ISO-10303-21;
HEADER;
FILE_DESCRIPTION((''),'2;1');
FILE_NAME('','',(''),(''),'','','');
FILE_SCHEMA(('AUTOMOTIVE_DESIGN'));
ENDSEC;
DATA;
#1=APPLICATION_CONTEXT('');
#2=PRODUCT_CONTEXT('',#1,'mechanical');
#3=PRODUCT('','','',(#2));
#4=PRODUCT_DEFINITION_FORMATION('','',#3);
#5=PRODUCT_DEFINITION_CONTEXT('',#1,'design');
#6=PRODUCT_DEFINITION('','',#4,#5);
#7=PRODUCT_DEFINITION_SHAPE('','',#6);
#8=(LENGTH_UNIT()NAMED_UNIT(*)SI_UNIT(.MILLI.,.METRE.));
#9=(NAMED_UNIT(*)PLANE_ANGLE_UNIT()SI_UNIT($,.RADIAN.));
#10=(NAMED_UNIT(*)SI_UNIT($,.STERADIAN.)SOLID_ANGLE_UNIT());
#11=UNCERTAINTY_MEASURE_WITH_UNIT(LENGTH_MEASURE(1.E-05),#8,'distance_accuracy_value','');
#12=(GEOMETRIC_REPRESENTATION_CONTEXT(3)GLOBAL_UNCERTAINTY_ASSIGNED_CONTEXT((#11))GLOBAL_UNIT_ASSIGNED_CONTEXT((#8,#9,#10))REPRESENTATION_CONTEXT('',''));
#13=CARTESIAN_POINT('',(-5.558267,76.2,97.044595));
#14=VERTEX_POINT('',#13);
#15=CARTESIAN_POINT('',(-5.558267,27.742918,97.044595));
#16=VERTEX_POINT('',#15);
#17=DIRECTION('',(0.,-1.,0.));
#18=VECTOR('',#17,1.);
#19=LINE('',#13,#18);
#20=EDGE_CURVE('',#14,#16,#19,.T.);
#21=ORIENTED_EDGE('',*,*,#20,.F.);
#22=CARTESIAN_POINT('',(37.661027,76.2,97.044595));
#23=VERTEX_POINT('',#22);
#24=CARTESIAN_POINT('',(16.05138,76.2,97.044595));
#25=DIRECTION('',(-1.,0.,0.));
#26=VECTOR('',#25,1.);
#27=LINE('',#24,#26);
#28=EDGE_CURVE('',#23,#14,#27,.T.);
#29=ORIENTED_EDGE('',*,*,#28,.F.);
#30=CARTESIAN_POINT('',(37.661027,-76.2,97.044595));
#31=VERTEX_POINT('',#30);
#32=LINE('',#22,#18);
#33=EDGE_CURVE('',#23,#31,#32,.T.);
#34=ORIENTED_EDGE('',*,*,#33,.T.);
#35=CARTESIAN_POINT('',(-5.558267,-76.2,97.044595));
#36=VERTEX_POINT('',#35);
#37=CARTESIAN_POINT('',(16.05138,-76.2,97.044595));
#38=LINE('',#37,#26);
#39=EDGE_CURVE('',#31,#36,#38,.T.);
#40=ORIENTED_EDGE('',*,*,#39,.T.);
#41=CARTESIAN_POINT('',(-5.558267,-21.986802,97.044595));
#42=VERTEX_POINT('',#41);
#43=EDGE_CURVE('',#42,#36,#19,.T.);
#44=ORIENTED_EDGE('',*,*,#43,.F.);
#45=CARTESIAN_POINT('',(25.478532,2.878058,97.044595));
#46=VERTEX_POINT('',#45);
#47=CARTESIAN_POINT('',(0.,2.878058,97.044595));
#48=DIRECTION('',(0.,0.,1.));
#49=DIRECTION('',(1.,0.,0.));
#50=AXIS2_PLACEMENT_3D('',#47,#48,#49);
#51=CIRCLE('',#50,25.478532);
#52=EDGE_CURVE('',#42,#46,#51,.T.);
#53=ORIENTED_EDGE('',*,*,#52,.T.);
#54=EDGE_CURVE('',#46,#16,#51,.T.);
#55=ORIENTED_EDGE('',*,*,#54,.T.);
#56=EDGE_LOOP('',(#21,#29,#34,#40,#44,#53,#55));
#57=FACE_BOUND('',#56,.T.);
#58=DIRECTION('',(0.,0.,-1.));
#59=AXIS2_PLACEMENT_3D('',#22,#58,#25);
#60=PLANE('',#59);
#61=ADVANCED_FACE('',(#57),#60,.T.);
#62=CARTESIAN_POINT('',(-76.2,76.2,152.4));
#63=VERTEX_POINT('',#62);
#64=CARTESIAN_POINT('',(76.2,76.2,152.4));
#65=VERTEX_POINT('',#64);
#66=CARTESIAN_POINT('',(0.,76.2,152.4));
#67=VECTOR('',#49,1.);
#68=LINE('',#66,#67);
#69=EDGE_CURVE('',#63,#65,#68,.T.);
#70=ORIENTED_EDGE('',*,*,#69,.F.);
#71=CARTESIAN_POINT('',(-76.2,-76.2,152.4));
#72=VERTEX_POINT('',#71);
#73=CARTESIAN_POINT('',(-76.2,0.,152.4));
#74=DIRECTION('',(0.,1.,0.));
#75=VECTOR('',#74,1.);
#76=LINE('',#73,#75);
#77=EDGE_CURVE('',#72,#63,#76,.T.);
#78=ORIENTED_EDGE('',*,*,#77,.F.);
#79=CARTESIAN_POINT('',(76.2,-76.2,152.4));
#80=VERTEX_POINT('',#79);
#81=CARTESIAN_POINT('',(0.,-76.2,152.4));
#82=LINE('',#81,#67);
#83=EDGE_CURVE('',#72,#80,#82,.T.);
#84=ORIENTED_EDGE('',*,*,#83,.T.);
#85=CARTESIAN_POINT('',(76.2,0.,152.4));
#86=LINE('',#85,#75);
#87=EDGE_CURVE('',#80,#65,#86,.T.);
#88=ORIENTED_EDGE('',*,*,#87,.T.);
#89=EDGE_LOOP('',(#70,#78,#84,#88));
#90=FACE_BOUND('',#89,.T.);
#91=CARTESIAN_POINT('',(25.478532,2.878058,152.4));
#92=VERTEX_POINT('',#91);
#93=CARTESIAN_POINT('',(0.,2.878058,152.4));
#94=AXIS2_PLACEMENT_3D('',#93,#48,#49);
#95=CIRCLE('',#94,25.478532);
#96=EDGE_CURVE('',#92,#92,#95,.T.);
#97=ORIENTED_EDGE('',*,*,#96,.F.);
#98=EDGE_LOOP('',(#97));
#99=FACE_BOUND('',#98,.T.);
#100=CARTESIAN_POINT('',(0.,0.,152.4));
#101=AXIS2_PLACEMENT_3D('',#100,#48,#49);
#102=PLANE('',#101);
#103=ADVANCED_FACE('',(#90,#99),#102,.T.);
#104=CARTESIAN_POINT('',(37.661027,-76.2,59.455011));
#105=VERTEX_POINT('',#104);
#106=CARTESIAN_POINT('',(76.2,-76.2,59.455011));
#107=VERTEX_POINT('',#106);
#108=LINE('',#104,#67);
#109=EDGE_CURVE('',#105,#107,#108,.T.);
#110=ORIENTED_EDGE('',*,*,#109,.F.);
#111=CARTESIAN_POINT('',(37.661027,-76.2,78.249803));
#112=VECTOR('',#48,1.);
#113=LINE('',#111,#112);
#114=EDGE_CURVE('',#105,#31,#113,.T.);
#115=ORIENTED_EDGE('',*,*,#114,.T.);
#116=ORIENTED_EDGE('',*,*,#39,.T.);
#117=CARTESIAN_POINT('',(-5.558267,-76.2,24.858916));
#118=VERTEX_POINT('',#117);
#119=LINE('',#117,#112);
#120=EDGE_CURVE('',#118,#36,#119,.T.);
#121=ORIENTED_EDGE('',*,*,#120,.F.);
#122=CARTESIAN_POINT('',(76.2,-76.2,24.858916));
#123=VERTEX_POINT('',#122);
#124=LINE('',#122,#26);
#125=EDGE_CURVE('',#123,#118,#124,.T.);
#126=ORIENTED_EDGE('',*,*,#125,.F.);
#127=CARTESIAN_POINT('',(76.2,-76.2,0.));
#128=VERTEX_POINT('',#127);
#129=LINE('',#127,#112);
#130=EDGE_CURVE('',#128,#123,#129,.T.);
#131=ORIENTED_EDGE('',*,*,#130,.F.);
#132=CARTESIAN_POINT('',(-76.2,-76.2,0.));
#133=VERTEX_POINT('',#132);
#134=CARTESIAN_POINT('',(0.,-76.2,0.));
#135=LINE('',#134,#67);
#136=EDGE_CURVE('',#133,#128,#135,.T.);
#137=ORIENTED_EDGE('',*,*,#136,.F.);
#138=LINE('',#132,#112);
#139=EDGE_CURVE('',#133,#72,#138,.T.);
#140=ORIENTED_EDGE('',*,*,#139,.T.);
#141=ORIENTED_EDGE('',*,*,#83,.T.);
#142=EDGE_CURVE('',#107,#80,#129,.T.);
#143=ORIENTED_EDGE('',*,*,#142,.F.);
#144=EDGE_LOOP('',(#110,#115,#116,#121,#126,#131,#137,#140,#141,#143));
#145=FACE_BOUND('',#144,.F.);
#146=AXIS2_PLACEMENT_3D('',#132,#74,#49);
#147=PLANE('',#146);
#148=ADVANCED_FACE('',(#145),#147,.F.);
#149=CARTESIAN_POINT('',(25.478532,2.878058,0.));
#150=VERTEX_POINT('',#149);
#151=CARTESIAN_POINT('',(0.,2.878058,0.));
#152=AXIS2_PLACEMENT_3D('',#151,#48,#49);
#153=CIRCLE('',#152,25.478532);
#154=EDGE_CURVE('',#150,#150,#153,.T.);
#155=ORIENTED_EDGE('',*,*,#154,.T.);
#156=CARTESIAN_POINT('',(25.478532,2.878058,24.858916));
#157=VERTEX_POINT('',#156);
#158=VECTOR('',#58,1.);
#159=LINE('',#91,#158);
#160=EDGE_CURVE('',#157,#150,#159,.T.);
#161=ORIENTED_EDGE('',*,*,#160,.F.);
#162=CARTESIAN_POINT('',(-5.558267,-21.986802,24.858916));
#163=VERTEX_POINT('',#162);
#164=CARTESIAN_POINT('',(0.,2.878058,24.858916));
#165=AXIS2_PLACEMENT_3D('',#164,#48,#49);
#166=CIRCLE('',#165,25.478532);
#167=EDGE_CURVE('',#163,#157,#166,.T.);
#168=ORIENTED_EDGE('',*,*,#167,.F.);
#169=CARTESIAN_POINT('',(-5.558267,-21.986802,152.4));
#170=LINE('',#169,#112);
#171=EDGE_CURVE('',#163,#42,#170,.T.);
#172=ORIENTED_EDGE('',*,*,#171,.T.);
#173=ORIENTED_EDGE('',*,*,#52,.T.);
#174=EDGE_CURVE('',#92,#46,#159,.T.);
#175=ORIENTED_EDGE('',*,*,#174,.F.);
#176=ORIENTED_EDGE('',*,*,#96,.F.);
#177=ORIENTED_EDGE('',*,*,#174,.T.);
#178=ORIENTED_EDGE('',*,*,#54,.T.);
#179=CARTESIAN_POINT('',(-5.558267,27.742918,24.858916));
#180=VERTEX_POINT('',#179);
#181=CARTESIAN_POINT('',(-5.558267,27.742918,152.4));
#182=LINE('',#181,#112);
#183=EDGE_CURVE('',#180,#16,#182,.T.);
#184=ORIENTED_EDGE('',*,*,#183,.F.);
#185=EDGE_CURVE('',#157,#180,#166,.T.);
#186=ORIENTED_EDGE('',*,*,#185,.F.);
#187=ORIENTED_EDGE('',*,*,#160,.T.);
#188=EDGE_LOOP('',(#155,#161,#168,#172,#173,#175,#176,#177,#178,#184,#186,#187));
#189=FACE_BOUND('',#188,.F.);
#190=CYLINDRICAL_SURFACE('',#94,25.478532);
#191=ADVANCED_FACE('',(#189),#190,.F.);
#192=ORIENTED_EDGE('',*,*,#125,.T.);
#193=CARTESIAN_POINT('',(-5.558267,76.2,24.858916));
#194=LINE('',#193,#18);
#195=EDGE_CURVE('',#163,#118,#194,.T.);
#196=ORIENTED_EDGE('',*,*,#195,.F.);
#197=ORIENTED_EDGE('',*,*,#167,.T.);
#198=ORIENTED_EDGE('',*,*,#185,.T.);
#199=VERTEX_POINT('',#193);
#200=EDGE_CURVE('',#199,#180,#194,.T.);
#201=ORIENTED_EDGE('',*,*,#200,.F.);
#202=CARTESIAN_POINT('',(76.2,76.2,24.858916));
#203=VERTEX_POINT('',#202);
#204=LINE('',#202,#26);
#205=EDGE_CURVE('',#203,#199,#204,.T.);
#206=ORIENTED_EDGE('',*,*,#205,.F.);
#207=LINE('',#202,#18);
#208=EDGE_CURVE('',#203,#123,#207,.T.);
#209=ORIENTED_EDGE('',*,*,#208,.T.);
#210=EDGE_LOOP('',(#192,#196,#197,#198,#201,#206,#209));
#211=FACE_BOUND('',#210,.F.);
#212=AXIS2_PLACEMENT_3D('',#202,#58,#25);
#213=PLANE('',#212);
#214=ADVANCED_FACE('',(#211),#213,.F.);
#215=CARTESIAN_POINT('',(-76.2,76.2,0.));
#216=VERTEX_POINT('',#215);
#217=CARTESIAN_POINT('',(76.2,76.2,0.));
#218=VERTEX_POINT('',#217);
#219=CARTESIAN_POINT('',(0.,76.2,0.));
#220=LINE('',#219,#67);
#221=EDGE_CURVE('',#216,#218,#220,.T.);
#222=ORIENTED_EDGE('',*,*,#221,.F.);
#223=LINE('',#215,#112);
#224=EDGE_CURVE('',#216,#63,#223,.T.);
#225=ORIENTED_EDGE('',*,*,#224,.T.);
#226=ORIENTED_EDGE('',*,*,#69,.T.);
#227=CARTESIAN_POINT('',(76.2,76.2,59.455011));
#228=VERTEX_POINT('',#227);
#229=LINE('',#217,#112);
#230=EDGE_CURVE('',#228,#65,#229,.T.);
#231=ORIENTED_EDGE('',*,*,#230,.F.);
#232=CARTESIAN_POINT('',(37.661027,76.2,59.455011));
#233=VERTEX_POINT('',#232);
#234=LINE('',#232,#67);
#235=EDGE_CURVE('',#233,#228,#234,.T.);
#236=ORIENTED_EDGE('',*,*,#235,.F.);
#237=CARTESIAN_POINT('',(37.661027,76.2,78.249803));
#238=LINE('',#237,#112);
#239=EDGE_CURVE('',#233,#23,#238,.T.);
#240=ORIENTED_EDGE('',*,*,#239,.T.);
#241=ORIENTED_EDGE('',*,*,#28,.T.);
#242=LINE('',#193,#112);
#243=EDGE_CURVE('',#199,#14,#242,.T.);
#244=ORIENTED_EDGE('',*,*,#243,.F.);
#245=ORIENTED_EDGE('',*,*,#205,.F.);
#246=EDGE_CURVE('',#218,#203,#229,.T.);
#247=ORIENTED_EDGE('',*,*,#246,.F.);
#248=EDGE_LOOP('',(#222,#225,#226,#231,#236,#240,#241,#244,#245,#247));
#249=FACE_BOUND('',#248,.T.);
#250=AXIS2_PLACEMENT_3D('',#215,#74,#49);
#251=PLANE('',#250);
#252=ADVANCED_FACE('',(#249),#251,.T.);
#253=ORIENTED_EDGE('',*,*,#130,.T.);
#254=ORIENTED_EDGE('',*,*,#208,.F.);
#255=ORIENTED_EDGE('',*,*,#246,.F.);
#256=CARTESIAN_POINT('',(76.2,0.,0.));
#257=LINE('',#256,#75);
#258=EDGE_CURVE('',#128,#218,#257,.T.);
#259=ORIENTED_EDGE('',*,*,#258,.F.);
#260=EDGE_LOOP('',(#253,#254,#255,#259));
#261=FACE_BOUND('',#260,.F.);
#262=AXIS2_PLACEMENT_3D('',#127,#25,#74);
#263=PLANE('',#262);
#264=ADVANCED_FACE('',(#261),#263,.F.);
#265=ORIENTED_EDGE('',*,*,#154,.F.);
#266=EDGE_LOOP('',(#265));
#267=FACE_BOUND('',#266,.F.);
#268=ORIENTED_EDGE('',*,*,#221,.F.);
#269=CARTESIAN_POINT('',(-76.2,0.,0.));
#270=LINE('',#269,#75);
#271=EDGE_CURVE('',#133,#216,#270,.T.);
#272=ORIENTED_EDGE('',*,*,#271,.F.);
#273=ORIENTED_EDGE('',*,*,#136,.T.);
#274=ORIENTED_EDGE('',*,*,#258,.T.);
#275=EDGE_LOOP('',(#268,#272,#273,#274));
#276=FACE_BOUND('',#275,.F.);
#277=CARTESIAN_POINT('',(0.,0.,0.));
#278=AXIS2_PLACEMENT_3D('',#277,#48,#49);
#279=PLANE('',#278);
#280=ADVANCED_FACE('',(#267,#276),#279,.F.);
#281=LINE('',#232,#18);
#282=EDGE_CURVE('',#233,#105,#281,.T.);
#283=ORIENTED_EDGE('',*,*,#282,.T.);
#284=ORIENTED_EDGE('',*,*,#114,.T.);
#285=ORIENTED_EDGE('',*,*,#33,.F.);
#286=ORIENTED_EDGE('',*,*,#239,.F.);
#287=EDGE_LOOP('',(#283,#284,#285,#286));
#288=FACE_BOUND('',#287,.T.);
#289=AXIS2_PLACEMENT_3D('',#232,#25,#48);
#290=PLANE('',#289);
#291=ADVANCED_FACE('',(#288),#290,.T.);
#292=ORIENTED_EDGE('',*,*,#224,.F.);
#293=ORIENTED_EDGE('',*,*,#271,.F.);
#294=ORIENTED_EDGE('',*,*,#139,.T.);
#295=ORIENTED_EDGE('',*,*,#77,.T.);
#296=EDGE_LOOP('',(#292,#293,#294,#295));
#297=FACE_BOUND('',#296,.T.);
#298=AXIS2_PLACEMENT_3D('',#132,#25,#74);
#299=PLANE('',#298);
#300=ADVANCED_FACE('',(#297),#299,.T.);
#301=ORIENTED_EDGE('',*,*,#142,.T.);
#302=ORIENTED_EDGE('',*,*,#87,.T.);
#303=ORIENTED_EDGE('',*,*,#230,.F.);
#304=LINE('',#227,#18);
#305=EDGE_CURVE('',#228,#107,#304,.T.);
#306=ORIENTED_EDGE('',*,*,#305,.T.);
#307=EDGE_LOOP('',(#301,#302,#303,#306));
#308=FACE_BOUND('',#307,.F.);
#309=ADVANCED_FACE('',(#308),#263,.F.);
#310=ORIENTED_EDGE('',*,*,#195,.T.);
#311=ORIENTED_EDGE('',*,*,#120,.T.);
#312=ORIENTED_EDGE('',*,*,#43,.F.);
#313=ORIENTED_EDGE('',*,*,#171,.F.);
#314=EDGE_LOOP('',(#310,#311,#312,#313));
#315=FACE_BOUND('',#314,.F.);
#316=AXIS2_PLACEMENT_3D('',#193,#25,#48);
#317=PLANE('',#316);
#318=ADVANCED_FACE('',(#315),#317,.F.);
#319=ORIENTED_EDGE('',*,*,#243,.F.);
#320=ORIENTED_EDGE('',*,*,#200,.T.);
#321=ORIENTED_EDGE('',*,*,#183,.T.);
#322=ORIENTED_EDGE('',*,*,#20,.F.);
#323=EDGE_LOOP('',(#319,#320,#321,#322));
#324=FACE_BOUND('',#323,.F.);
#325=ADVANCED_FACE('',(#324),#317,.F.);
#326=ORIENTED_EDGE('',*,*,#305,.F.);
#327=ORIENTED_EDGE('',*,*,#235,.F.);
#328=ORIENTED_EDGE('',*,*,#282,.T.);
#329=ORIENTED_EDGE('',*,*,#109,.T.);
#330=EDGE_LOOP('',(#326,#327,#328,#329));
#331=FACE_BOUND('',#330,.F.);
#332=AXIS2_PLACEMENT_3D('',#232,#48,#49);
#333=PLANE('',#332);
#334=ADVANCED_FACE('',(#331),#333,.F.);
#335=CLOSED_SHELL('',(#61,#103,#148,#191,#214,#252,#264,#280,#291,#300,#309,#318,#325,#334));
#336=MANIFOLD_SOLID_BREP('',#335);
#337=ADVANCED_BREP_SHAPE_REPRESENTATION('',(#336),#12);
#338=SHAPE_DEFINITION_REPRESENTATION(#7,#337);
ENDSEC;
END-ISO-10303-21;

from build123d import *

# Parameters (mm, degrees)
F0_W     = 152.4
F0_H     = 152.4
F1_DEPTH = 152.4
F2_R     = 25.478532
F3_DEPTH = 152.4
F4_W     = 43.219294
F4_H     = 37.589584
F5_DEPTH = 152.4


with BuildPart() as f1:
    # F0 (on Top) → F1 (new body)
    with BuildSketch(Plane.XY):
        Rectangle(F0_W, F0_H)
    extrude(amount=F1_DEPTH)

    # F2 (on face) → F3 (cut)
    with BuildSketch(Plane.XY.offset(152.4)):
        with Locations((0, 2.878058)):
            Circle(F2_R)
    extrude(amount=-F3_DEPTH, mode=Mode.SUBTRACT)

    # F4 (on face) → F5 (cut)
    with BuildSketch(Plane(origin=(0, 76.2, 0), x_dir=(-1, 0, 0), z_dir=(0, 1, 0))):
        with Locations((-16.05138, 78.249803)):
            Rectangle(F4_W, F4_H)
        Polygon((5.558267, 59.455011), (-37.661027, 59.455011), (-76.2, 59.455011), (-76.2, 24.858916), (5.558267, 24.858916), align=None)
    extrude(amount=-F5_DEPTH, mode=Mode.SUBTRACT)


solid = f1.part
